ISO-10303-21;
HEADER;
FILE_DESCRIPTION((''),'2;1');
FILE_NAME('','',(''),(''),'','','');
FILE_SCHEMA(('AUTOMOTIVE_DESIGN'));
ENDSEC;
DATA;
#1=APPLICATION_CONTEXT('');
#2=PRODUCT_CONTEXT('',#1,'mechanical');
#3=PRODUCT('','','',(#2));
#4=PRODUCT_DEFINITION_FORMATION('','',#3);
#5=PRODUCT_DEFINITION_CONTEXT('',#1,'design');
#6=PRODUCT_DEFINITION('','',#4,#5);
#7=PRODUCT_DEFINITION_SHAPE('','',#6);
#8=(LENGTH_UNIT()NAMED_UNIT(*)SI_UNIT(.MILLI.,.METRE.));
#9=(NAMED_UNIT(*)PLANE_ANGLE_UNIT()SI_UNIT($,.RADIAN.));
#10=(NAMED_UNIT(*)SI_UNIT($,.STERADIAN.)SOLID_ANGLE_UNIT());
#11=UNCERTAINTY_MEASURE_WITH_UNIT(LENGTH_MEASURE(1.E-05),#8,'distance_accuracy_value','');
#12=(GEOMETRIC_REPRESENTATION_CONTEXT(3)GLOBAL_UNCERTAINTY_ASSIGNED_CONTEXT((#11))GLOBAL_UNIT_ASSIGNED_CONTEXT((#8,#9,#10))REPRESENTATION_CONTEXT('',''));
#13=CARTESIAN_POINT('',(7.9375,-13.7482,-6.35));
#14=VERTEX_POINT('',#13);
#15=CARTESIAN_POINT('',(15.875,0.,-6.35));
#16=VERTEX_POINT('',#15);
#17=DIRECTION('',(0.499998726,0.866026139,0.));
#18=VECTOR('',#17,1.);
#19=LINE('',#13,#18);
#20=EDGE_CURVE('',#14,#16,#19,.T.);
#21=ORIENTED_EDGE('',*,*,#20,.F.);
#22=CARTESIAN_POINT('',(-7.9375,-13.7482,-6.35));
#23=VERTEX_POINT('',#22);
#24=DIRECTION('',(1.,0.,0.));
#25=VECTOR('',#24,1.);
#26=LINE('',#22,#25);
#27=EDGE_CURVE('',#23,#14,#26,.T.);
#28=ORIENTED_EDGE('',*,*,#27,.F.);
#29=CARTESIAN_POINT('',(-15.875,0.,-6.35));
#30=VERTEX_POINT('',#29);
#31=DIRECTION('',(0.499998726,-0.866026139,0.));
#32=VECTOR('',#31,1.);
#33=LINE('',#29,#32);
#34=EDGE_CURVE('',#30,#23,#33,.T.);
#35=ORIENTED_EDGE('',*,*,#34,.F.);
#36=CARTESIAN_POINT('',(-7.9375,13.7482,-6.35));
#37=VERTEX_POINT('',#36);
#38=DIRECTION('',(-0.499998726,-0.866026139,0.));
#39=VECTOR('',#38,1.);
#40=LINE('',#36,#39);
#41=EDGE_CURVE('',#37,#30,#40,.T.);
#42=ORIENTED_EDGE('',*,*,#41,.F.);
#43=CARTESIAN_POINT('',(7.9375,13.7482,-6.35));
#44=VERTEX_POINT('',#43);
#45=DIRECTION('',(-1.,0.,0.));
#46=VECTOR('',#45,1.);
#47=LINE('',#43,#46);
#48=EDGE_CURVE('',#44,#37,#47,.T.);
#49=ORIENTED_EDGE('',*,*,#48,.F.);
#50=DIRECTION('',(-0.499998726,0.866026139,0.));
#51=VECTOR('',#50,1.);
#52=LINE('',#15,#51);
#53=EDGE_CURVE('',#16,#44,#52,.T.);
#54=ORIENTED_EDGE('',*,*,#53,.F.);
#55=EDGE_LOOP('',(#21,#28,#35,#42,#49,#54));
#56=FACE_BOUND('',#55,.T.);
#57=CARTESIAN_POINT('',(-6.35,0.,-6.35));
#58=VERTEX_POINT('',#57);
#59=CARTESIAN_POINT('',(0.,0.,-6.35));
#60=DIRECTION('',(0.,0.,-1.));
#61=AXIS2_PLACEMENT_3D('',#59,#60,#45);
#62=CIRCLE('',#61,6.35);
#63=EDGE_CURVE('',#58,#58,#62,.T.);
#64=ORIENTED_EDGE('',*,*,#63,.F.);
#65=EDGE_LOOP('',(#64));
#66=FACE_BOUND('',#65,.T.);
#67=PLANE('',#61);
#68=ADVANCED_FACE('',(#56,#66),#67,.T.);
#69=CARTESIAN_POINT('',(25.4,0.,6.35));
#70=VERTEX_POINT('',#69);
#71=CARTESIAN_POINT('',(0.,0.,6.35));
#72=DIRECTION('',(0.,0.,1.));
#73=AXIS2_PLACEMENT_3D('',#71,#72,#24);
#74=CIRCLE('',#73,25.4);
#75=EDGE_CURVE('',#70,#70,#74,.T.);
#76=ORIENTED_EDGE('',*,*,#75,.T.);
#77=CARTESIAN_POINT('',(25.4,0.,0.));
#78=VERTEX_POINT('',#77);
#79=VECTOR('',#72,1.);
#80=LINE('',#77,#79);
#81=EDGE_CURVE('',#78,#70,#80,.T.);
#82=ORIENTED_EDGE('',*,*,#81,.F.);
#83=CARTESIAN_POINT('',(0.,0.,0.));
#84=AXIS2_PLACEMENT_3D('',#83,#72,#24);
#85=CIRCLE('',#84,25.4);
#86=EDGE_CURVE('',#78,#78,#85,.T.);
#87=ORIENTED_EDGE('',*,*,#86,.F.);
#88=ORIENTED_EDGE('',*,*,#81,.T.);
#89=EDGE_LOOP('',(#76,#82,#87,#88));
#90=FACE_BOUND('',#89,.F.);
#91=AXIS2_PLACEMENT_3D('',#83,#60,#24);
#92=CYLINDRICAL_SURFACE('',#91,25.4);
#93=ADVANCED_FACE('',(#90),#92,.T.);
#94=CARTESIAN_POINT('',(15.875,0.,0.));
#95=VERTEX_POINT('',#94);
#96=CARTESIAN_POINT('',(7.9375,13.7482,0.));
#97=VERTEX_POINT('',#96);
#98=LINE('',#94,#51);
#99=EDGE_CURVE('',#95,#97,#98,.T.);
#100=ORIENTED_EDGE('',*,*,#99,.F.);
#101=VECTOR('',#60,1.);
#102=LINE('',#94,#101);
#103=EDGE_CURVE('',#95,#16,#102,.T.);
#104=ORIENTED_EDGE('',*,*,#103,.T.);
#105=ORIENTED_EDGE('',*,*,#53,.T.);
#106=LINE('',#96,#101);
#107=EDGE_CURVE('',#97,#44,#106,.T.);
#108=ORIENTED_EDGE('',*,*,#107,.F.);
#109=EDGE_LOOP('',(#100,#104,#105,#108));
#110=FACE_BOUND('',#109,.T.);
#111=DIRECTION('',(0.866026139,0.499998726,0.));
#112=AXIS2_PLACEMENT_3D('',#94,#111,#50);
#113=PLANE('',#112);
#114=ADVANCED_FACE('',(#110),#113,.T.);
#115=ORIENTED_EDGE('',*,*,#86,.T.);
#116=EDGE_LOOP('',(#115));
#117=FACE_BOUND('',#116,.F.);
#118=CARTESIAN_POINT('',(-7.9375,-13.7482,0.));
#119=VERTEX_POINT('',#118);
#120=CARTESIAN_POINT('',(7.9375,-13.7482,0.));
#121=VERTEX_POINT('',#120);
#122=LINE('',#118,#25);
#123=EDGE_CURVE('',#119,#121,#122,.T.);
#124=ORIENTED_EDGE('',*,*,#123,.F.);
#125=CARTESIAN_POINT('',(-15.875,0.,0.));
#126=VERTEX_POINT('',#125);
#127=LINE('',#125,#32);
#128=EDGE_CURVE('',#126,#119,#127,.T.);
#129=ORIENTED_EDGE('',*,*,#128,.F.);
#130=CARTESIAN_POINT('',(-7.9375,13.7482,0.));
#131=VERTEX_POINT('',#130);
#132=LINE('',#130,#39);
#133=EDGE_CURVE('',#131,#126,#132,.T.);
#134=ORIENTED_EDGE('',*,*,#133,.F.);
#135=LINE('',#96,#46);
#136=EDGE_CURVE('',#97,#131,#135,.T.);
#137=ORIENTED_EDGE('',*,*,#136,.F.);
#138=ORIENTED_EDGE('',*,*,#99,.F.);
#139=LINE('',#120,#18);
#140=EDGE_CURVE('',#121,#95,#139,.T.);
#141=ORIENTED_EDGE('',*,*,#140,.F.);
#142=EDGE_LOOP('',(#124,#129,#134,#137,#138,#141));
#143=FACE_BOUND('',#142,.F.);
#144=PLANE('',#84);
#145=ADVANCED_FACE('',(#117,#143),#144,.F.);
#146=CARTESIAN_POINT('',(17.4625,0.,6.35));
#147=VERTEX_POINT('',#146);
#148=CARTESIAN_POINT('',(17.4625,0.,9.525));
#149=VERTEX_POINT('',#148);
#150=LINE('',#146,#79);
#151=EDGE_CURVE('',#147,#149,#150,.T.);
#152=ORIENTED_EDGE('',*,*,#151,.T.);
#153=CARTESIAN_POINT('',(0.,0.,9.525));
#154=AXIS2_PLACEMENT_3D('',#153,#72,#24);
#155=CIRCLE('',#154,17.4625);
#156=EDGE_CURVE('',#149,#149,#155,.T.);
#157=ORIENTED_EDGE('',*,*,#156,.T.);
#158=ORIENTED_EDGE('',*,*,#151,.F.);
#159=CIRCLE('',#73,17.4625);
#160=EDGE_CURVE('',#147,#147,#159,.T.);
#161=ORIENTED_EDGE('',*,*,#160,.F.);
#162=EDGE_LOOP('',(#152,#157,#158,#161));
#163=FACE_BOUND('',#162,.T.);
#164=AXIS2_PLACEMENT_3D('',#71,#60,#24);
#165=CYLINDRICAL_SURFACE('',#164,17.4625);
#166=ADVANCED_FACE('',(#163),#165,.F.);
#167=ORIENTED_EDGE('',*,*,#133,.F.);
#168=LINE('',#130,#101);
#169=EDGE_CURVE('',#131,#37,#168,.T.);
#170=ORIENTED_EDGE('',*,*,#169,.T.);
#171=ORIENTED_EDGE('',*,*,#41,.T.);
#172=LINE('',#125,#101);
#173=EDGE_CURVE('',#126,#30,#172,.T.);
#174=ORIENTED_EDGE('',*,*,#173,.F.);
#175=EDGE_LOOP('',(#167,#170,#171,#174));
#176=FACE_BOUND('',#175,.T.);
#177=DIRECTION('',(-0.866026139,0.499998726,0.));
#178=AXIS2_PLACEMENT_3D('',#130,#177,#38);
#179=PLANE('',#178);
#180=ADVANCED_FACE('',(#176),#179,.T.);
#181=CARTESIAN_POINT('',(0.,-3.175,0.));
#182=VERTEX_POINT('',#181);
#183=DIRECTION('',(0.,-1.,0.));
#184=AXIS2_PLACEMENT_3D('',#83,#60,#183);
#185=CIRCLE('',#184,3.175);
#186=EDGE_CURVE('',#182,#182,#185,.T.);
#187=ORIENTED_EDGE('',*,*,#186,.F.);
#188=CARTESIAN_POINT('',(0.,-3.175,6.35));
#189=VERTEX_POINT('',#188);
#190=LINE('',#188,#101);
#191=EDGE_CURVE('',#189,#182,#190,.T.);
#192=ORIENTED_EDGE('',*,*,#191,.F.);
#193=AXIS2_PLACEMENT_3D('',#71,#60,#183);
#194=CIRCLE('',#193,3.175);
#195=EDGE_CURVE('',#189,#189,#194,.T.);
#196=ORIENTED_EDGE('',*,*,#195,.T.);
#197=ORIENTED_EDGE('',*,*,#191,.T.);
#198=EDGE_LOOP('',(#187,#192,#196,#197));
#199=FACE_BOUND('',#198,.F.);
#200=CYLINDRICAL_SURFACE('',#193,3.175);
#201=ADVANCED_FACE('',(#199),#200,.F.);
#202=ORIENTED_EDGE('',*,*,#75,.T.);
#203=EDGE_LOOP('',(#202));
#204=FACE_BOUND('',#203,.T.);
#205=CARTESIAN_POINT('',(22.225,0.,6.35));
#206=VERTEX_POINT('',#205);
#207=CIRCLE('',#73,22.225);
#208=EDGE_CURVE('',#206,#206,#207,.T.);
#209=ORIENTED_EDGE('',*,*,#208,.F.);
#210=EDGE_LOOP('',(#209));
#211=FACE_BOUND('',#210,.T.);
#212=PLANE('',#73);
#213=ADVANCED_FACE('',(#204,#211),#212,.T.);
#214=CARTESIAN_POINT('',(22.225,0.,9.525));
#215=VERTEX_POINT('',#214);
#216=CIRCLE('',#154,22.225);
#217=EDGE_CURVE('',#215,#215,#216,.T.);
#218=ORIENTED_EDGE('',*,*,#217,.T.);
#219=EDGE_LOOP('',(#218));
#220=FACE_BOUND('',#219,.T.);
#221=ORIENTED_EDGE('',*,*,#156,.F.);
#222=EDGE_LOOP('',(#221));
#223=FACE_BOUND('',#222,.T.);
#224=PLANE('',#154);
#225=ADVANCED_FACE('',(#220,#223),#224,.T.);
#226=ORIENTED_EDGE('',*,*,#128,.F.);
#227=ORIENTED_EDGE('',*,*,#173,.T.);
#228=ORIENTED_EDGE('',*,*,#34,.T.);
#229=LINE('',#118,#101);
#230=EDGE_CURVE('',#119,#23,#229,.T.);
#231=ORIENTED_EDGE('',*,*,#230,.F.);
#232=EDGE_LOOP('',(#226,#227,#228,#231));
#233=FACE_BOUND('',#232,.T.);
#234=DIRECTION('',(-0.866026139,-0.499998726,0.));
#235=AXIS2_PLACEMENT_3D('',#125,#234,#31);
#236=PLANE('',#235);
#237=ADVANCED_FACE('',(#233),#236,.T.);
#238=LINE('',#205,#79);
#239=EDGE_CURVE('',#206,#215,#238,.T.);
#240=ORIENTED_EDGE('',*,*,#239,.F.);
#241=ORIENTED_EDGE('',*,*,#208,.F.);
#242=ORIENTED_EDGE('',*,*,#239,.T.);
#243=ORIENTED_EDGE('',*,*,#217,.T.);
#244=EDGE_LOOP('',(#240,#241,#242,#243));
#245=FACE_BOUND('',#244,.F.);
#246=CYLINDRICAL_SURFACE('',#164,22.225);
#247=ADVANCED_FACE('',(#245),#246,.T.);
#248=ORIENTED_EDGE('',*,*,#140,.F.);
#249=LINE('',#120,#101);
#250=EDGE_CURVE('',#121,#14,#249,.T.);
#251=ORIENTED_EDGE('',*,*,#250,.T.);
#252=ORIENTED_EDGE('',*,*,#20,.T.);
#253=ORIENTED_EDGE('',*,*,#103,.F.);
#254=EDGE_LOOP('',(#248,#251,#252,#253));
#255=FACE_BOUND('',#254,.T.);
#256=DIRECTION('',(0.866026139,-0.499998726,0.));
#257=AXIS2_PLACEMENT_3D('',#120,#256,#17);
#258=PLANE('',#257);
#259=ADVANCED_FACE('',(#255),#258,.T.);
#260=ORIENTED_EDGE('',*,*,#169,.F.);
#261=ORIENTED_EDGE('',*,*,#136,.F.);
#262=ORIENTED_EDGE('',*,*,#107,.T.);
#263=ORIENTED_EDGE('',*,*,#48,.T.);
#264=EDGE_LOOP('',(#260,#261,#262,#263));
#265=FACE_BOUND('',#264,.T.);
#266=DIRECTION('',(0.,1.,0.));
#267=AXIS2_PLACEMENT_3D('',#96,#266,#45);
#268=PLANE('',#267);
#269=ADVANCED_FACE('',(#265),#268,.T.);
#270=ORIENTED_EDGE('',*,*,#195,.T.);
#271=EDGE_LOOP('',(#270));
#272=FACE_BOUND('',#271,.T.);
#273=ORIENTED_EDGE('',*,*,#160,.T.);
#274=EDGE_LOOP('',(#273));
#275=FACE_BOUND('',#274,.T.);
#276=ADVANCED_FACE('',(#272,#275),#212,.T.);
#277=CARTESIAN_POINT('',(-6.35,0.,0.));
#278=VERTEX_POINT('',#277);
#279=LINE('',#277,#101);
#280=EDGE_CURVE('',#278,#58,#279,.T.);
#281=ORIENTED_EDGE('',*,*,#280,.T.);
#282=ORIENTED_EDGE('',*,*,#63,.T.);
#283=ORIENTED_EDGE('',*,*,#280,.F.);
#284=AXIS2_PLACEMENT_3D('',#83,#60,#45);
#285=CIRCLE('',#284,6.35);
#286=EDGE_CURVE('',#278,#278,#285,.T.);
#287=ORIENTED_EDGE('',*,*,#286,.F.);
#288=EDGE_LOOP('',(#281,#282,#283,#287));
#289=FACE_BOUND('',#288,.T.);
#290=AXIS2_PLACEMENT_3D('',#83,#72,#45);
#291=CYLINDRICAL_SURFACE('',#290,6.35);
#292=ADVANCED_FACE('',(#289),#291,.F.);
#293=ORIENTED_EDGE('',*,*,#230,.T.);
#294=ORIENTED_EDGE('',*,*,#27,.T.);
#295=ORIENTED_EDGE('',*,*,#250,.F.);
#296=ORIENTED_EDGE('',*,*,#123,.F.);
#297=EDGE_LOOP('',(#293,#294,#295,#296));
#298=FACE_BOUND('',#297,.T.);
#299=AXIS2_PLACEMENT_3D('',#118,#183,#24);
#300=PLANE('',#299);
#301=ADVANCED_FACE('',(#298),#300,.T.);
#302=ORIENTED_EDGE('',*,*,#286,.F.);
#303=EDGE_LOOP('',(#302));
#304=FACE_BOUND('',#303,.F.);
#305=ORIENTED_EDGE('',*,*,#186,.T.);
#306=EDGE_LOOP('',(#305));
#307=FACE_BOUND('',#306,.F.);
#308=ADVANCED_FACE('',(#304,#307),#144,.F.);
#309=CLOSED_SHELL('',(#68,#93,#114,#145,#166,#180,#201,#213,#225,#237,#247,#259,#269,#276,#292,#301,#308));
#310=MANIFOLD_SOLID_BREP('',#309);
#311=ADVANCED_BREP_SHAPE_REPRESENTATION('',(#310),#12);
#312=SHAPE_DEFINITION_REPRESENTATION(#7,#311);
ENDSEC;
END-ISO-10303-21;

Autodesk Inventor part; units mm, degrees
ref_plane "YZ Plane" through (0, 0, 0) normal (1, 0, 0) x (0, 1, 0)
ref_plane "XZ Plane" through (0, 0, 0) normal (0, 1, 0) x (-1, 0, 0)
ref_plane "XY Plane" through (0, 0, 0) normal (0, 0, 1) x (1, 0, 0)
sketch "Sketch1" plane through (0, 0, 0) normal (0, 0, 1) x (1, 0, 0)
  circle A0 centre (0, 0) radius 25.4
  dimension "d0" = 50.8
extrude "Extrusion1" add sketch "Sketch1" along normal blind 6.35
sketch "Sketch2" plane through (0, 0, 6.35) normal (0, 0, 1) x (1, 0, 0)
  circle A0 centre (0, 0) radius 25.4 projected
  circle A1 centre (0, 0) radius 17.4625
  circle A2 centre (0, 0) radius 22.225
  dimension "d3" = 34.925
  dimension "d4" = 44.45
extrude "Extrusion2" add sketch "Sketch2" along normal blind 3.175 contours A2
sketch "Sketch3" plane through (0, 0, 0) normal (0, 0, -1) x (-1, 0, 0)
  circle A0 centre (0, 0) radius 25.4 projected
  line L0 (-15.875, 0) -> (-7.9375, 13.7482)
  line L1 (-7.9375, 13.7482) -> (7.9375, 13.7482)
  line L2 (7.9375, 13.7482) -> (15.875, 0)
  line L3 (15.875, 0) -> (7.9375, -13.7482)
  line L4 (7.9375, -13.7482) -> (-7.9375, -13.7482)
  line L5 (-7.9375, -13.7482) -> (-15.875, 0)
  circle A1 centre (0, 0) radius 6.35
  dimension "d7" = 15.875
  dimension "d8" = 12.7
extrude "Extrusion3" add sketch "Sketch3" along normal blind 6.35 contours L0 L1 L2 L3 L4 L5
sketch "Sketch4" plane through (0, 0, 6.35) normal (0, 0, 1) x (1, 0, 0)
  circle A0 centre (0, 0) radius 22.225 projected
hole "Hole1" at (0, 0, 6.35) direction (0, 0, -1) diameter 6.35 end through all
properties part number "2sides"
